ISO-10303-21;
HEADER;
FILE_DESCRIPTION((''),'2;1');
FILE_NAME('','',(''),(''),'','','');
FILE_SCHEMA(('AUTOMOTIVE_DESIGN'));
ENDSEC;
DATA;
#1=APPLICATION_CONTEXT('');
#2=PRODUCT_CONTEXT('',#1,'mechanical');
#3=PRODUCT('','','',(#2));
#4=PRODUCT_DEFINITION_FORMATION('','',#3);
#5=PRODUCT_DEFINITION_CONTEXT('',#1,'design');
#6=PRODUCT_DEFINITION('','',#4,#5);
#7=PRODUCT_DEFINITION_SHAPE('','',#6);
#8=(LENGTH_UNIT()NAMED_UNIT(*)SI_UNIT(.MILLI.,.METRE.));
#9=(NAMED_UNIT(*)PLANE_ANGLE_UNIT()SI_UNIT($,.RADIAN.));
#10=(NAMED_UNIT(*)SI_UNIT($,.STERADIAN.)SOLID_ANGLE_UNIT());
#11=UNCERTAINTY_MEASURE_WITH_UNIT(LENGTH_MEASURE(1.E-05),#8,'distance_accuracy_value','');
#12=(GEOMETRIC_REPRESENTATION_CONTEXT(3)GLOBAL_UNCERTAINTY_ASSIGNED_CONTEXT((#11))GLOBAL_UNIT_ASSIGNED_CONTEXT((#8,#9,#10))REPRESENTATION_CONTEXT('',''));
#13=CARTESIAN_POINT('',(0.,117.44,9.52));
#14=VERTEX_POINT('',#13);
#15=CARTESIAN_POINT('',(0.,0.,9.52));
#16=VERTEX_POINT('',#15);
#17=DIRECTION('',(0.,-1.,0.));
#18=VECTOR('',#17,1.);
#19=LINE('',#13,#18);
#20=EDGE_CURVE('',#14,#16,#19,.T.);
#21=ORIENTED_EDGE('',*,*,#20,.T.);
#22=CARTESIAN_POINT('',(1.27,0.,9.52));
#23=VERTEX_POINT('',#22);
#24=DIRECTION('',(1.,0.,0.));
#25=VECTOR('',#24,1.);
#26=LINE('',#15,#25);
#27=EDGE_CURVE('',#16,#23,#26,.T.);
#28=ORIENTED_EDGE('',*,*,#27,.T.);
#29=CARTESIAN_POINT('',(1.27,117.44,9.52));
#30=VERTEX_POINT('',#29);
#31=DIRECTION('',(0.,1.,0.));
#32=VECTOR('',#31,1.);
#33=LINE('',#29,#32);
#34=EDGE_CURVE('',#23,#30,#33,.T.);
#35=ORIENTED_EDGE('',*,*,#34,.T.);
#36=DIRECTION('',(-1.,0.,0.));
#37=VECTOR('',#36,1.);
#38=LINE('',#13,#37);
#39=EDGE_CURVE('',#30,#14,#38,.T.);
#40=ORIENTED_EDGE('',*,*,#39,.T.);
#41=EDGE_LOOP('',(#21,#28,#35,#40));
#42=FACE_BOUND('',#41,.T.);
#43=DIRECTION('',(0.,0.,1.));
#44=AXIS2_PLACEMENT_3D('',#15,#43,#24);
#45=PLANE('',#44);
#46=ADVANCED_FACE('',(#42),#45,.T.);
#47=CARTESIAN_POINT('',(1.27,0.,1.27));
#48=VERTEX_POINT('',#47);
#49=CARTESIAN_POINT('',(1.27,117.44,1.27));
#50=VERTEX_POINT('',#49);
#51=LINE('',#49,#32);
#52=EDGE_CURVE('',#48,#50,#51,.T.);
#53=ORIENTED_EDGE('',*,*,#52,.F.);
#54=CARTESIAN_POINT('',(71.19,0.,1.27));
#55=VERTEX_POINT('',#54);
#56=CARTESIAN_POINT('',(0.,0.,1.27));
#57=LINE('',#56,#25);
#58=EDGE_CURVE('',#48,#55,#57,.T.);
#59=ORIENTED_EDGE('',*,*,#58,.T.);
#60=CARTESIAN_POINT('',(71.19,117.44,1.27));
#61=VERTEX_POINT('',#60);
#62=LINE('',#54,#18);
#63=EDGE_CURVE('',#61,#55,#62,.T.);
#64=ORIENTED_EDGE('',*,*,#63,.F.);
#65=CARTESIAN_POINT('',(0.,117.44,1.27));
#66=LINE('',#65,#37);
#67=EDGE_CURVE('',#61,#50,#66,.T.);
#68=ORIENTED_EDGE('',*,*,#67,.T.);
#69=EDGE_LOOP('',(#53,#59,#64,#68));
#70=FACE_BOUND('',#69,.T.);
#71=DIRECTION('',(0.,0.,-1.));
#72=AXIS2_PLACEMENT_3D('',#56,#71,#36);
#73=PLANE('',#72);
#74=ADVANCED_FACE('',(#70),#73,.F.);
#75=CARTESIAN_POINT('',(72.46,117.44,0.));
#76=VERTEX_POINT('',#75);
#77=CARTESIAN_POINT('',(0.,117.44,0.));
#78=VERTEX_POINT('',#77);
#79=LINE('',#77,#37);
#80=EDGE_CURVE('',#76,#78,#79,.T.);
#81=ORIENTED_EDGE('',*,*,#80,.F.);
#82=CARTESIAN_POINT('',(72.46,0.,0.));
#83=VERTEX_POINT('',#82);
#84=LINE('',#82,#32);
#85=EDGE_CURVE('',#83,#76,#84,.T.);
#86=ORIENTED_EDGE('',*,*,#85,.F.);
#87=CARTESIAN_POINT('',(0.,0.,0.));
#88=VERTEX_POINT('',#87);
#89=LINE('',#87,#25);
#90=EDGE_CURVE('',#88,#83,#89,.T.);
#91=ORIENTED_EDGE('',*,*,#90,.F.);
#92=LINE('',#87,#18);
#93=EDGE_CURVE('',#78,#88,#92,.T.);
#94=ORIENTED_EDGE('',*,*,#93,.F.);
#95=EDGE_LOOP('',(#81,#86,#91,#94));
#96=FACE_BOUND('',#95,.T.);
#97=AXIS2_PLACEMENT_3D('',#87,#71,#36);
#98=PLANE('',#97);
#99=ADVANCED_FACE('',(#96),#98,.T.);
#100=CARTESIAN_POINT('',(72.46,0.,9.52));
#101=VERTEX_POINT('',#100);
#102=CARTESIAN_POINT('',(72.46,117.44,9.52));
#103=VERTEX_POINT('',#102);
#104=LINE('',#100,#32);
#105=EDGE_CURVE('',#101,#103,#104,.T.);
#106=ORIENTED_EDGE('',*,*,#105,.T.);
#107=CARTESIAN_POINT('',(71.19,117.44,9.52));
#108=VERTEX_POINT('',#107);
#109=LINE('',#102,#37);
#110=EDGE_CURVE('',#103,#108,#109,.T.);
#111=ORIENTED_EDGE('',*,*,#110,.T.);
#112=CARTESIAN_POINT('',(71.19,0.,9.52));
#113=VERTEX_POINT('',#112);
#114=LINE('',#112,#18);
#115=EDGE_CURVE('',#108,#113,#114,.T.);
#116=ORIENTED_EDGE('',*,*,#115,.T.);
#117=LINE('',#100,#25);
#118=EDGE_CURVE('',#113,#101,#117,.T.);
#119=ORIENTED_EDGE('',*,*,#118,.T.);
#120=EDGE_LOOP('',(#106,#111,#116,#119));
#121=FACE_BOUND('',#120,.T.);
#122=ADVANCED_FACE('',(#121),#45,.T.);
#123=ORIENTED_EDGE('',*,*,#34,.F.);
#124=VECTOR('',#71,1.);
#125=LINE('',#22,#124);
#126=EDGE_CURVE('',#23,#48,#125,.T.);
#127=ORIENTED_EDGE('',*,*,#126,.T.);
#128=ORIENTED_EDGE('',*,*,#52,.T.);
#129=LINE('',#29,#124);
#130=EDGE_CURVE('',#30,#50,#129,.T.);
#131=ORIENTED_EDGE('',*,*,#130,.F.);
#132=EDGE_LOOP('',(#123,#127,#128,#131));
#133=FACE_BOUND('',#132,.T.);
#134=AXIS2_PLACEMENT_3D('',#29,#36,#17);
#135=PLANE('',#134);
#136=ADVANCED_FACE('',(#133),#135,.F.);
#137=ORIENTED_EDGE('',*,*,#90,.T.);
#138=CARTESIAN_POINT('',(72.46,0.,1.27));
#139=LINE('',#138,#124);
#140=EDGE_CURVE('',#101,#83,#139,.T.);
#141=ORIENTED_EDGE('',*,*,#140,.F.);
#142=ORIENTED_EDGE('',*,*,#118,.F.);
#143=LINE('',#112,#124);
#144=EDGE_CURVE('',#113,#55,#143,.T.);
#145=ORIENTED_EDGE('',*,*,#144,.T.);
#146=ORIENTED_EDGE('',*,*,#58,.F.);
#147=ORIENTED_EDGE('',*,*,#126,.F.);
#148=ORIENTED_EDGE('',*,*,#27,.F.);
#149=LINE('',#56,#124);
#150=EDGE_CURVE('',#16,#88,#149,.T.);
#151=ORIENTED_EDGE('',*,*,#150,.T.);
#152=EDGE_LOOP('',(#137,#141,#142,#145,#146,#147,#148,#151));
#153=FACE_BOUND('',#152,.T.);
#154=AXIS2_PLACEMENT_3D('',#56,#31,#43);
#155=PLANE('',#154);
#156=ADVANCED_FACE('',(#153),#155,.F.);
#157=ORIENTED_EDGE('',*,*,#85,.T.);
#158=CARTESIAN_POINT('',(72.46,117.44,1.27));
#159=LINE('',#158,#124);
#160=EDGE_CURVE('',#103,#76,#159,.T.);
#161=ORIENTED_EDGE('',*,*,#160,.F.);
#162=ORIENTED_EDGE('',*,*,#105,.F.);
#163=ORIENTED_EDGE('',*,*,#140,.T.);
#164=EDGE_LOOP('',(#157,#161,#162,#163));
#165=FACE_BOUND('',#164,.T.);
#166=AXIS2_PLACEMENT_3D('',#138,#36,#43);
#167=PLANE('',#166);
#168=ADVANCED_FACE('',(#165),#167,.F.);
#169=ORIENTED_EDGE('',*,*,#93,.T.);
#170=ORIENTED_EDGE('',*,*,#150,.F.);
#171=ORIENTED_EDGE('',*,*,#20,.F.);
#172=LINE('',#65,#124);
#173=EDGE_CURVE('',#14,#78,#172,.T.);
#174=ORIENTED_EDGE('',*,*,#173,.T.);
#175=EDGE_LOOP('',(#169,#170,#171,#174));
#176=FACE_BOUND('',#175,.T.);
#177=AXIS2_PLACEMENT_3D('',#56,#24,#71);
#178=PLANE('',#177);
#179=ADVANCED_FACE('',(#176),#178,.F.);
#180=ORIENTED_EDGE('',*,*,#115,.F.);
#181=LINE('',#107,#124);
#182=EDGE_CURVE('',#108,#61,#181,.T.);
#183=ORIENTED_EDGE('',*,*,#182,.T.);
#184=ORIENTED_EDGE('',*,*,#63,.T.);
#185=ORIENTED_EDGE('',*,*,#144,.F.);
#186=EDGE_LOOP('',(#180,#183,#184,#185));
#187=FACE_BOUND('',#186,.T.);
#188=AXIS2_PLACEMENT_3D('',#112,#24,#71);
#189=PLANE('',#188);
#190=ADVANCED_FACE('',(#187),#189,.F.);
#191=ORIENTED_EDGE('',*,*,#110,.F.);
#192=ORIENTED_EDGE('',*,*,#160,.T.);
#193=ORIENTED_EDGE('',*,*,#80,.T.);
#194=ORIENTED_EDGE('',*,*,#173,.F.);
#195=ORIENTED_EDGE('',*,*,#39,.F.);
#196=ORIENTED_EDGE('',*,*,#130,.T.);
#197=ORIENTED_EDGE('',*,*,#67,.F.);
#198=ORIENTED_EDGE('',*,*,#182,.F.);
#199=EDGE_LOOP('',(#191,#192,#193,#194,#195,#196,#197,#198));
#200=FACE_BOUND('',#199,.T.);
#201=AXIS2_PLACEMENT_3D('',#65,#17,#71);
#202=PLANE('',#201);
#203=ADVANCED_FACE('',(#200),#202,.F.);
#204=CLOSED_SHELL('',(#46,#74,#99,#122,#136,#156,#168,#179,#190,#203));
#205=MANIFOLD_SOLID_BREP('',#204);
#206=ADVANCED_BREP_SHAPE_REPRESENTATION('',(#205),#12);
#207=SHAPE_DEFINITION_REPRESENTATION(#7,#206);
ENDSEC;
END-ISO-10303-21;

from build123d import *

# Parameters (mm, degrees)
SKETCH1_W           = 72.46
SKETCH1_H           = 117.44
BOSS_EXTRUDE1_DEPTH = 1.27
SKETCH2_W           = 1.27
SKETCH2_H           = 117.44
BOSS_EXTRUDE2_DEPTH = 8.25


with BuildPart() as part:
    # Sketch1 → Boss-Extrude1 (new body)
    with BuildSketch(Plane.XY):
        with Locations((36.23, 58.72)):
            Rectangle(SKETCH1_W, SKETCH1_H)
    extrude(amount=BOSS_EXTRUDE1_DEPTH)

    # Sketch2 → Boss-Extrude2 (add)
    with BuildSketch(Plane.XY.offset(1.27)):
        with Locations((0.635, 58.72)):
            Rectangle(SKETCH2_W, SKETCH2_H)
        with Locations((71.825, 58.72)):
            Rectangle(SKETCH2_W, SKETCH2_H)
    extrude(amount=BOSS_EXTRUDE2_DEPTH)


solid = part.part
